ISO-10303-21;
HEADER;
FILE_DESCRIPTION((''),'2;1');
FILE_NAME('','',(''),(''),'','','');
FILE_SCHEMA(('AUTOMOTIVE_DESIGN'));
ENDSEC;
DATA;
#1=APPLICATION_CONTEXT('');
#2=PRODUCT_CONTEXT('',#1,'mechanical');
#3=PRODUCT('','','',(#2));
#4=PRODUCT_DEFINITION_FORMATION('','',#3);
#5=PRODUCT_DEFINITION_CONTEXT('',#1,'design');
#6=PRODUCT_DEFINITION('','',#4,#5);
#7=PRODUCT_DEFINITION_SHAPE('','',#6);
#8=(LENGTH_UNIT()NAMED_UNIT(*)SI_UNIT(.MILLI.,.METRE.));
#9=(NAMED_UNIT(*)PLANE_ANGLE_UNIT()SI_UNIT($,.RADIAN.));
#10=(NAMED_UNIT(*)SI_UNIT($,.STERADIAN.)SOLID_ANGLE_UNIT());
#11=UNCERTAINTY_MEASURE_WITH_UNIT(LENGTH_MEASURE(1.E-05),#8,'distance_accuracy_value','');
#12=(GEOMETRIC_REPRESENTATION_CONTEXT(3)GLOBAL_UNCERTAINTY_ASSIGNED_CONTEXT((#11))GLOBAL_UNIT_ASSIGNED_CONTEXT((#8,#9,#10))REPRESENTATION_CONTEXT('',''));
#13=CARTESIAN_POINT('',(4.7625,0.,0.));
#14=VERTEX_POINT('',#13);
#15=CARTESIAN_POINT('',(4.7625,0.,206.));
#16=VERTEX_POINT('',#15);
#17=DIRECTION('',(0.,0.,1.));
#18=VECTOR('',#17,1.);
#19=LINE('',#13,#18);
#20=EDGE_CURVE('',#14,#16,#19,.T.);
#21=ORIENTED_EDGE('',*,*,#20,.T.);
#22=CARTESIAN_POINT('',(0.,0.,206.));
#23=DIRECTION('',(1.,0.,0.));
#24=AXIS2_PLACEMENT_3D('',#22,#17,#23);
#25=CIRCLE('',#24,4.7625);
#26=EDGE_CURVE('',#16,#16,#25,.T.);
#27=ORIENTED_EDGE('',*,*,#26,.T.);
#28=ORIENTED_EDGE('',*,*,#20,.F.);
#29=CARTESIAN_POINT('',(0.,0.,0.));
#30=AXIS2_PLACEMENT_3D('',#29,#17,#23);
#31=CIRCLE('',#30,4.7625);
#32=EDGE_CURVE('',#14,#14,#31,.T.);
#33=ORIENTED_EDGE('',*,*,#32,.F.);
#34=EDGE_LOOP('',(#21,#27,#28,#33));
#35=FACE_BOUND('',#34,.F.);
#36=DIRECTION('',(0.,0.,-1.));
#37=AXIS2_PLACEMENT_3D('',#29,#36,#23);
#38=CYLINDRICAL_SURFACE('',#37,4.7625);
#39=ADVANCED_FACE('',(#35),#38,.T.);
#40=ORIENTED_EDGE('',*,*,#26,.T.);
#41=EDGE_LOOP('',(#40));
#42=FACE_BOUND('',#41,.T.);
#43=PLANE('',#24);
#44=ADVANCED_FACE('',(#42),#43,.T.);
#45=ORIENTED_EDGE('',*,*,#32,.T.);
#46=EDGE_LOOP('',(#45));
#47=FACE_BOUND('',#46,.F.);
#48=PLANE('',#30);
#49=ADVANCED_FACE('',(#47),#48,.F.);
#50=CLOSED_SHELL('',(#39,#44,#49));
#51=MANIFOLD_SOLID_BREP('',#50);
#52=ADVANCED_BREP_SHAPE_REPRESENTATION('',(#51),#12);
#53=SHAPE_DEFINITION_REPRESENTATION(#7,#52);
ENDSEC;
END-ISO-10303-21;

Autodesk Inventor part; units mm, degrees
ref_plane "YZ Plane" through (0, 0, 0) normal (1, 0, 0) x (0, 1, 0)
ref_plane "XZ Plane" through (0, 0, 0) normal (0, 1, 0) x (-1, 0, 0)
ref_plane "XY Plane" through (0, 0, 0) normal (0, 0, 1) x (1, 0, 0)
sketch "Sketch1" plane through (0, 0, 0) normal (0, 0, 1) x (1, 0, 0)
  circle A0 centre (0, 0) radius 4.7625
  dimension "d0" = 9.525
extrude "Extrusion1" add sketch "Sketch1" along normal blind 206
properties part number "12113_Proximal Roller Shaft_V1" material "Stainless Steel"
